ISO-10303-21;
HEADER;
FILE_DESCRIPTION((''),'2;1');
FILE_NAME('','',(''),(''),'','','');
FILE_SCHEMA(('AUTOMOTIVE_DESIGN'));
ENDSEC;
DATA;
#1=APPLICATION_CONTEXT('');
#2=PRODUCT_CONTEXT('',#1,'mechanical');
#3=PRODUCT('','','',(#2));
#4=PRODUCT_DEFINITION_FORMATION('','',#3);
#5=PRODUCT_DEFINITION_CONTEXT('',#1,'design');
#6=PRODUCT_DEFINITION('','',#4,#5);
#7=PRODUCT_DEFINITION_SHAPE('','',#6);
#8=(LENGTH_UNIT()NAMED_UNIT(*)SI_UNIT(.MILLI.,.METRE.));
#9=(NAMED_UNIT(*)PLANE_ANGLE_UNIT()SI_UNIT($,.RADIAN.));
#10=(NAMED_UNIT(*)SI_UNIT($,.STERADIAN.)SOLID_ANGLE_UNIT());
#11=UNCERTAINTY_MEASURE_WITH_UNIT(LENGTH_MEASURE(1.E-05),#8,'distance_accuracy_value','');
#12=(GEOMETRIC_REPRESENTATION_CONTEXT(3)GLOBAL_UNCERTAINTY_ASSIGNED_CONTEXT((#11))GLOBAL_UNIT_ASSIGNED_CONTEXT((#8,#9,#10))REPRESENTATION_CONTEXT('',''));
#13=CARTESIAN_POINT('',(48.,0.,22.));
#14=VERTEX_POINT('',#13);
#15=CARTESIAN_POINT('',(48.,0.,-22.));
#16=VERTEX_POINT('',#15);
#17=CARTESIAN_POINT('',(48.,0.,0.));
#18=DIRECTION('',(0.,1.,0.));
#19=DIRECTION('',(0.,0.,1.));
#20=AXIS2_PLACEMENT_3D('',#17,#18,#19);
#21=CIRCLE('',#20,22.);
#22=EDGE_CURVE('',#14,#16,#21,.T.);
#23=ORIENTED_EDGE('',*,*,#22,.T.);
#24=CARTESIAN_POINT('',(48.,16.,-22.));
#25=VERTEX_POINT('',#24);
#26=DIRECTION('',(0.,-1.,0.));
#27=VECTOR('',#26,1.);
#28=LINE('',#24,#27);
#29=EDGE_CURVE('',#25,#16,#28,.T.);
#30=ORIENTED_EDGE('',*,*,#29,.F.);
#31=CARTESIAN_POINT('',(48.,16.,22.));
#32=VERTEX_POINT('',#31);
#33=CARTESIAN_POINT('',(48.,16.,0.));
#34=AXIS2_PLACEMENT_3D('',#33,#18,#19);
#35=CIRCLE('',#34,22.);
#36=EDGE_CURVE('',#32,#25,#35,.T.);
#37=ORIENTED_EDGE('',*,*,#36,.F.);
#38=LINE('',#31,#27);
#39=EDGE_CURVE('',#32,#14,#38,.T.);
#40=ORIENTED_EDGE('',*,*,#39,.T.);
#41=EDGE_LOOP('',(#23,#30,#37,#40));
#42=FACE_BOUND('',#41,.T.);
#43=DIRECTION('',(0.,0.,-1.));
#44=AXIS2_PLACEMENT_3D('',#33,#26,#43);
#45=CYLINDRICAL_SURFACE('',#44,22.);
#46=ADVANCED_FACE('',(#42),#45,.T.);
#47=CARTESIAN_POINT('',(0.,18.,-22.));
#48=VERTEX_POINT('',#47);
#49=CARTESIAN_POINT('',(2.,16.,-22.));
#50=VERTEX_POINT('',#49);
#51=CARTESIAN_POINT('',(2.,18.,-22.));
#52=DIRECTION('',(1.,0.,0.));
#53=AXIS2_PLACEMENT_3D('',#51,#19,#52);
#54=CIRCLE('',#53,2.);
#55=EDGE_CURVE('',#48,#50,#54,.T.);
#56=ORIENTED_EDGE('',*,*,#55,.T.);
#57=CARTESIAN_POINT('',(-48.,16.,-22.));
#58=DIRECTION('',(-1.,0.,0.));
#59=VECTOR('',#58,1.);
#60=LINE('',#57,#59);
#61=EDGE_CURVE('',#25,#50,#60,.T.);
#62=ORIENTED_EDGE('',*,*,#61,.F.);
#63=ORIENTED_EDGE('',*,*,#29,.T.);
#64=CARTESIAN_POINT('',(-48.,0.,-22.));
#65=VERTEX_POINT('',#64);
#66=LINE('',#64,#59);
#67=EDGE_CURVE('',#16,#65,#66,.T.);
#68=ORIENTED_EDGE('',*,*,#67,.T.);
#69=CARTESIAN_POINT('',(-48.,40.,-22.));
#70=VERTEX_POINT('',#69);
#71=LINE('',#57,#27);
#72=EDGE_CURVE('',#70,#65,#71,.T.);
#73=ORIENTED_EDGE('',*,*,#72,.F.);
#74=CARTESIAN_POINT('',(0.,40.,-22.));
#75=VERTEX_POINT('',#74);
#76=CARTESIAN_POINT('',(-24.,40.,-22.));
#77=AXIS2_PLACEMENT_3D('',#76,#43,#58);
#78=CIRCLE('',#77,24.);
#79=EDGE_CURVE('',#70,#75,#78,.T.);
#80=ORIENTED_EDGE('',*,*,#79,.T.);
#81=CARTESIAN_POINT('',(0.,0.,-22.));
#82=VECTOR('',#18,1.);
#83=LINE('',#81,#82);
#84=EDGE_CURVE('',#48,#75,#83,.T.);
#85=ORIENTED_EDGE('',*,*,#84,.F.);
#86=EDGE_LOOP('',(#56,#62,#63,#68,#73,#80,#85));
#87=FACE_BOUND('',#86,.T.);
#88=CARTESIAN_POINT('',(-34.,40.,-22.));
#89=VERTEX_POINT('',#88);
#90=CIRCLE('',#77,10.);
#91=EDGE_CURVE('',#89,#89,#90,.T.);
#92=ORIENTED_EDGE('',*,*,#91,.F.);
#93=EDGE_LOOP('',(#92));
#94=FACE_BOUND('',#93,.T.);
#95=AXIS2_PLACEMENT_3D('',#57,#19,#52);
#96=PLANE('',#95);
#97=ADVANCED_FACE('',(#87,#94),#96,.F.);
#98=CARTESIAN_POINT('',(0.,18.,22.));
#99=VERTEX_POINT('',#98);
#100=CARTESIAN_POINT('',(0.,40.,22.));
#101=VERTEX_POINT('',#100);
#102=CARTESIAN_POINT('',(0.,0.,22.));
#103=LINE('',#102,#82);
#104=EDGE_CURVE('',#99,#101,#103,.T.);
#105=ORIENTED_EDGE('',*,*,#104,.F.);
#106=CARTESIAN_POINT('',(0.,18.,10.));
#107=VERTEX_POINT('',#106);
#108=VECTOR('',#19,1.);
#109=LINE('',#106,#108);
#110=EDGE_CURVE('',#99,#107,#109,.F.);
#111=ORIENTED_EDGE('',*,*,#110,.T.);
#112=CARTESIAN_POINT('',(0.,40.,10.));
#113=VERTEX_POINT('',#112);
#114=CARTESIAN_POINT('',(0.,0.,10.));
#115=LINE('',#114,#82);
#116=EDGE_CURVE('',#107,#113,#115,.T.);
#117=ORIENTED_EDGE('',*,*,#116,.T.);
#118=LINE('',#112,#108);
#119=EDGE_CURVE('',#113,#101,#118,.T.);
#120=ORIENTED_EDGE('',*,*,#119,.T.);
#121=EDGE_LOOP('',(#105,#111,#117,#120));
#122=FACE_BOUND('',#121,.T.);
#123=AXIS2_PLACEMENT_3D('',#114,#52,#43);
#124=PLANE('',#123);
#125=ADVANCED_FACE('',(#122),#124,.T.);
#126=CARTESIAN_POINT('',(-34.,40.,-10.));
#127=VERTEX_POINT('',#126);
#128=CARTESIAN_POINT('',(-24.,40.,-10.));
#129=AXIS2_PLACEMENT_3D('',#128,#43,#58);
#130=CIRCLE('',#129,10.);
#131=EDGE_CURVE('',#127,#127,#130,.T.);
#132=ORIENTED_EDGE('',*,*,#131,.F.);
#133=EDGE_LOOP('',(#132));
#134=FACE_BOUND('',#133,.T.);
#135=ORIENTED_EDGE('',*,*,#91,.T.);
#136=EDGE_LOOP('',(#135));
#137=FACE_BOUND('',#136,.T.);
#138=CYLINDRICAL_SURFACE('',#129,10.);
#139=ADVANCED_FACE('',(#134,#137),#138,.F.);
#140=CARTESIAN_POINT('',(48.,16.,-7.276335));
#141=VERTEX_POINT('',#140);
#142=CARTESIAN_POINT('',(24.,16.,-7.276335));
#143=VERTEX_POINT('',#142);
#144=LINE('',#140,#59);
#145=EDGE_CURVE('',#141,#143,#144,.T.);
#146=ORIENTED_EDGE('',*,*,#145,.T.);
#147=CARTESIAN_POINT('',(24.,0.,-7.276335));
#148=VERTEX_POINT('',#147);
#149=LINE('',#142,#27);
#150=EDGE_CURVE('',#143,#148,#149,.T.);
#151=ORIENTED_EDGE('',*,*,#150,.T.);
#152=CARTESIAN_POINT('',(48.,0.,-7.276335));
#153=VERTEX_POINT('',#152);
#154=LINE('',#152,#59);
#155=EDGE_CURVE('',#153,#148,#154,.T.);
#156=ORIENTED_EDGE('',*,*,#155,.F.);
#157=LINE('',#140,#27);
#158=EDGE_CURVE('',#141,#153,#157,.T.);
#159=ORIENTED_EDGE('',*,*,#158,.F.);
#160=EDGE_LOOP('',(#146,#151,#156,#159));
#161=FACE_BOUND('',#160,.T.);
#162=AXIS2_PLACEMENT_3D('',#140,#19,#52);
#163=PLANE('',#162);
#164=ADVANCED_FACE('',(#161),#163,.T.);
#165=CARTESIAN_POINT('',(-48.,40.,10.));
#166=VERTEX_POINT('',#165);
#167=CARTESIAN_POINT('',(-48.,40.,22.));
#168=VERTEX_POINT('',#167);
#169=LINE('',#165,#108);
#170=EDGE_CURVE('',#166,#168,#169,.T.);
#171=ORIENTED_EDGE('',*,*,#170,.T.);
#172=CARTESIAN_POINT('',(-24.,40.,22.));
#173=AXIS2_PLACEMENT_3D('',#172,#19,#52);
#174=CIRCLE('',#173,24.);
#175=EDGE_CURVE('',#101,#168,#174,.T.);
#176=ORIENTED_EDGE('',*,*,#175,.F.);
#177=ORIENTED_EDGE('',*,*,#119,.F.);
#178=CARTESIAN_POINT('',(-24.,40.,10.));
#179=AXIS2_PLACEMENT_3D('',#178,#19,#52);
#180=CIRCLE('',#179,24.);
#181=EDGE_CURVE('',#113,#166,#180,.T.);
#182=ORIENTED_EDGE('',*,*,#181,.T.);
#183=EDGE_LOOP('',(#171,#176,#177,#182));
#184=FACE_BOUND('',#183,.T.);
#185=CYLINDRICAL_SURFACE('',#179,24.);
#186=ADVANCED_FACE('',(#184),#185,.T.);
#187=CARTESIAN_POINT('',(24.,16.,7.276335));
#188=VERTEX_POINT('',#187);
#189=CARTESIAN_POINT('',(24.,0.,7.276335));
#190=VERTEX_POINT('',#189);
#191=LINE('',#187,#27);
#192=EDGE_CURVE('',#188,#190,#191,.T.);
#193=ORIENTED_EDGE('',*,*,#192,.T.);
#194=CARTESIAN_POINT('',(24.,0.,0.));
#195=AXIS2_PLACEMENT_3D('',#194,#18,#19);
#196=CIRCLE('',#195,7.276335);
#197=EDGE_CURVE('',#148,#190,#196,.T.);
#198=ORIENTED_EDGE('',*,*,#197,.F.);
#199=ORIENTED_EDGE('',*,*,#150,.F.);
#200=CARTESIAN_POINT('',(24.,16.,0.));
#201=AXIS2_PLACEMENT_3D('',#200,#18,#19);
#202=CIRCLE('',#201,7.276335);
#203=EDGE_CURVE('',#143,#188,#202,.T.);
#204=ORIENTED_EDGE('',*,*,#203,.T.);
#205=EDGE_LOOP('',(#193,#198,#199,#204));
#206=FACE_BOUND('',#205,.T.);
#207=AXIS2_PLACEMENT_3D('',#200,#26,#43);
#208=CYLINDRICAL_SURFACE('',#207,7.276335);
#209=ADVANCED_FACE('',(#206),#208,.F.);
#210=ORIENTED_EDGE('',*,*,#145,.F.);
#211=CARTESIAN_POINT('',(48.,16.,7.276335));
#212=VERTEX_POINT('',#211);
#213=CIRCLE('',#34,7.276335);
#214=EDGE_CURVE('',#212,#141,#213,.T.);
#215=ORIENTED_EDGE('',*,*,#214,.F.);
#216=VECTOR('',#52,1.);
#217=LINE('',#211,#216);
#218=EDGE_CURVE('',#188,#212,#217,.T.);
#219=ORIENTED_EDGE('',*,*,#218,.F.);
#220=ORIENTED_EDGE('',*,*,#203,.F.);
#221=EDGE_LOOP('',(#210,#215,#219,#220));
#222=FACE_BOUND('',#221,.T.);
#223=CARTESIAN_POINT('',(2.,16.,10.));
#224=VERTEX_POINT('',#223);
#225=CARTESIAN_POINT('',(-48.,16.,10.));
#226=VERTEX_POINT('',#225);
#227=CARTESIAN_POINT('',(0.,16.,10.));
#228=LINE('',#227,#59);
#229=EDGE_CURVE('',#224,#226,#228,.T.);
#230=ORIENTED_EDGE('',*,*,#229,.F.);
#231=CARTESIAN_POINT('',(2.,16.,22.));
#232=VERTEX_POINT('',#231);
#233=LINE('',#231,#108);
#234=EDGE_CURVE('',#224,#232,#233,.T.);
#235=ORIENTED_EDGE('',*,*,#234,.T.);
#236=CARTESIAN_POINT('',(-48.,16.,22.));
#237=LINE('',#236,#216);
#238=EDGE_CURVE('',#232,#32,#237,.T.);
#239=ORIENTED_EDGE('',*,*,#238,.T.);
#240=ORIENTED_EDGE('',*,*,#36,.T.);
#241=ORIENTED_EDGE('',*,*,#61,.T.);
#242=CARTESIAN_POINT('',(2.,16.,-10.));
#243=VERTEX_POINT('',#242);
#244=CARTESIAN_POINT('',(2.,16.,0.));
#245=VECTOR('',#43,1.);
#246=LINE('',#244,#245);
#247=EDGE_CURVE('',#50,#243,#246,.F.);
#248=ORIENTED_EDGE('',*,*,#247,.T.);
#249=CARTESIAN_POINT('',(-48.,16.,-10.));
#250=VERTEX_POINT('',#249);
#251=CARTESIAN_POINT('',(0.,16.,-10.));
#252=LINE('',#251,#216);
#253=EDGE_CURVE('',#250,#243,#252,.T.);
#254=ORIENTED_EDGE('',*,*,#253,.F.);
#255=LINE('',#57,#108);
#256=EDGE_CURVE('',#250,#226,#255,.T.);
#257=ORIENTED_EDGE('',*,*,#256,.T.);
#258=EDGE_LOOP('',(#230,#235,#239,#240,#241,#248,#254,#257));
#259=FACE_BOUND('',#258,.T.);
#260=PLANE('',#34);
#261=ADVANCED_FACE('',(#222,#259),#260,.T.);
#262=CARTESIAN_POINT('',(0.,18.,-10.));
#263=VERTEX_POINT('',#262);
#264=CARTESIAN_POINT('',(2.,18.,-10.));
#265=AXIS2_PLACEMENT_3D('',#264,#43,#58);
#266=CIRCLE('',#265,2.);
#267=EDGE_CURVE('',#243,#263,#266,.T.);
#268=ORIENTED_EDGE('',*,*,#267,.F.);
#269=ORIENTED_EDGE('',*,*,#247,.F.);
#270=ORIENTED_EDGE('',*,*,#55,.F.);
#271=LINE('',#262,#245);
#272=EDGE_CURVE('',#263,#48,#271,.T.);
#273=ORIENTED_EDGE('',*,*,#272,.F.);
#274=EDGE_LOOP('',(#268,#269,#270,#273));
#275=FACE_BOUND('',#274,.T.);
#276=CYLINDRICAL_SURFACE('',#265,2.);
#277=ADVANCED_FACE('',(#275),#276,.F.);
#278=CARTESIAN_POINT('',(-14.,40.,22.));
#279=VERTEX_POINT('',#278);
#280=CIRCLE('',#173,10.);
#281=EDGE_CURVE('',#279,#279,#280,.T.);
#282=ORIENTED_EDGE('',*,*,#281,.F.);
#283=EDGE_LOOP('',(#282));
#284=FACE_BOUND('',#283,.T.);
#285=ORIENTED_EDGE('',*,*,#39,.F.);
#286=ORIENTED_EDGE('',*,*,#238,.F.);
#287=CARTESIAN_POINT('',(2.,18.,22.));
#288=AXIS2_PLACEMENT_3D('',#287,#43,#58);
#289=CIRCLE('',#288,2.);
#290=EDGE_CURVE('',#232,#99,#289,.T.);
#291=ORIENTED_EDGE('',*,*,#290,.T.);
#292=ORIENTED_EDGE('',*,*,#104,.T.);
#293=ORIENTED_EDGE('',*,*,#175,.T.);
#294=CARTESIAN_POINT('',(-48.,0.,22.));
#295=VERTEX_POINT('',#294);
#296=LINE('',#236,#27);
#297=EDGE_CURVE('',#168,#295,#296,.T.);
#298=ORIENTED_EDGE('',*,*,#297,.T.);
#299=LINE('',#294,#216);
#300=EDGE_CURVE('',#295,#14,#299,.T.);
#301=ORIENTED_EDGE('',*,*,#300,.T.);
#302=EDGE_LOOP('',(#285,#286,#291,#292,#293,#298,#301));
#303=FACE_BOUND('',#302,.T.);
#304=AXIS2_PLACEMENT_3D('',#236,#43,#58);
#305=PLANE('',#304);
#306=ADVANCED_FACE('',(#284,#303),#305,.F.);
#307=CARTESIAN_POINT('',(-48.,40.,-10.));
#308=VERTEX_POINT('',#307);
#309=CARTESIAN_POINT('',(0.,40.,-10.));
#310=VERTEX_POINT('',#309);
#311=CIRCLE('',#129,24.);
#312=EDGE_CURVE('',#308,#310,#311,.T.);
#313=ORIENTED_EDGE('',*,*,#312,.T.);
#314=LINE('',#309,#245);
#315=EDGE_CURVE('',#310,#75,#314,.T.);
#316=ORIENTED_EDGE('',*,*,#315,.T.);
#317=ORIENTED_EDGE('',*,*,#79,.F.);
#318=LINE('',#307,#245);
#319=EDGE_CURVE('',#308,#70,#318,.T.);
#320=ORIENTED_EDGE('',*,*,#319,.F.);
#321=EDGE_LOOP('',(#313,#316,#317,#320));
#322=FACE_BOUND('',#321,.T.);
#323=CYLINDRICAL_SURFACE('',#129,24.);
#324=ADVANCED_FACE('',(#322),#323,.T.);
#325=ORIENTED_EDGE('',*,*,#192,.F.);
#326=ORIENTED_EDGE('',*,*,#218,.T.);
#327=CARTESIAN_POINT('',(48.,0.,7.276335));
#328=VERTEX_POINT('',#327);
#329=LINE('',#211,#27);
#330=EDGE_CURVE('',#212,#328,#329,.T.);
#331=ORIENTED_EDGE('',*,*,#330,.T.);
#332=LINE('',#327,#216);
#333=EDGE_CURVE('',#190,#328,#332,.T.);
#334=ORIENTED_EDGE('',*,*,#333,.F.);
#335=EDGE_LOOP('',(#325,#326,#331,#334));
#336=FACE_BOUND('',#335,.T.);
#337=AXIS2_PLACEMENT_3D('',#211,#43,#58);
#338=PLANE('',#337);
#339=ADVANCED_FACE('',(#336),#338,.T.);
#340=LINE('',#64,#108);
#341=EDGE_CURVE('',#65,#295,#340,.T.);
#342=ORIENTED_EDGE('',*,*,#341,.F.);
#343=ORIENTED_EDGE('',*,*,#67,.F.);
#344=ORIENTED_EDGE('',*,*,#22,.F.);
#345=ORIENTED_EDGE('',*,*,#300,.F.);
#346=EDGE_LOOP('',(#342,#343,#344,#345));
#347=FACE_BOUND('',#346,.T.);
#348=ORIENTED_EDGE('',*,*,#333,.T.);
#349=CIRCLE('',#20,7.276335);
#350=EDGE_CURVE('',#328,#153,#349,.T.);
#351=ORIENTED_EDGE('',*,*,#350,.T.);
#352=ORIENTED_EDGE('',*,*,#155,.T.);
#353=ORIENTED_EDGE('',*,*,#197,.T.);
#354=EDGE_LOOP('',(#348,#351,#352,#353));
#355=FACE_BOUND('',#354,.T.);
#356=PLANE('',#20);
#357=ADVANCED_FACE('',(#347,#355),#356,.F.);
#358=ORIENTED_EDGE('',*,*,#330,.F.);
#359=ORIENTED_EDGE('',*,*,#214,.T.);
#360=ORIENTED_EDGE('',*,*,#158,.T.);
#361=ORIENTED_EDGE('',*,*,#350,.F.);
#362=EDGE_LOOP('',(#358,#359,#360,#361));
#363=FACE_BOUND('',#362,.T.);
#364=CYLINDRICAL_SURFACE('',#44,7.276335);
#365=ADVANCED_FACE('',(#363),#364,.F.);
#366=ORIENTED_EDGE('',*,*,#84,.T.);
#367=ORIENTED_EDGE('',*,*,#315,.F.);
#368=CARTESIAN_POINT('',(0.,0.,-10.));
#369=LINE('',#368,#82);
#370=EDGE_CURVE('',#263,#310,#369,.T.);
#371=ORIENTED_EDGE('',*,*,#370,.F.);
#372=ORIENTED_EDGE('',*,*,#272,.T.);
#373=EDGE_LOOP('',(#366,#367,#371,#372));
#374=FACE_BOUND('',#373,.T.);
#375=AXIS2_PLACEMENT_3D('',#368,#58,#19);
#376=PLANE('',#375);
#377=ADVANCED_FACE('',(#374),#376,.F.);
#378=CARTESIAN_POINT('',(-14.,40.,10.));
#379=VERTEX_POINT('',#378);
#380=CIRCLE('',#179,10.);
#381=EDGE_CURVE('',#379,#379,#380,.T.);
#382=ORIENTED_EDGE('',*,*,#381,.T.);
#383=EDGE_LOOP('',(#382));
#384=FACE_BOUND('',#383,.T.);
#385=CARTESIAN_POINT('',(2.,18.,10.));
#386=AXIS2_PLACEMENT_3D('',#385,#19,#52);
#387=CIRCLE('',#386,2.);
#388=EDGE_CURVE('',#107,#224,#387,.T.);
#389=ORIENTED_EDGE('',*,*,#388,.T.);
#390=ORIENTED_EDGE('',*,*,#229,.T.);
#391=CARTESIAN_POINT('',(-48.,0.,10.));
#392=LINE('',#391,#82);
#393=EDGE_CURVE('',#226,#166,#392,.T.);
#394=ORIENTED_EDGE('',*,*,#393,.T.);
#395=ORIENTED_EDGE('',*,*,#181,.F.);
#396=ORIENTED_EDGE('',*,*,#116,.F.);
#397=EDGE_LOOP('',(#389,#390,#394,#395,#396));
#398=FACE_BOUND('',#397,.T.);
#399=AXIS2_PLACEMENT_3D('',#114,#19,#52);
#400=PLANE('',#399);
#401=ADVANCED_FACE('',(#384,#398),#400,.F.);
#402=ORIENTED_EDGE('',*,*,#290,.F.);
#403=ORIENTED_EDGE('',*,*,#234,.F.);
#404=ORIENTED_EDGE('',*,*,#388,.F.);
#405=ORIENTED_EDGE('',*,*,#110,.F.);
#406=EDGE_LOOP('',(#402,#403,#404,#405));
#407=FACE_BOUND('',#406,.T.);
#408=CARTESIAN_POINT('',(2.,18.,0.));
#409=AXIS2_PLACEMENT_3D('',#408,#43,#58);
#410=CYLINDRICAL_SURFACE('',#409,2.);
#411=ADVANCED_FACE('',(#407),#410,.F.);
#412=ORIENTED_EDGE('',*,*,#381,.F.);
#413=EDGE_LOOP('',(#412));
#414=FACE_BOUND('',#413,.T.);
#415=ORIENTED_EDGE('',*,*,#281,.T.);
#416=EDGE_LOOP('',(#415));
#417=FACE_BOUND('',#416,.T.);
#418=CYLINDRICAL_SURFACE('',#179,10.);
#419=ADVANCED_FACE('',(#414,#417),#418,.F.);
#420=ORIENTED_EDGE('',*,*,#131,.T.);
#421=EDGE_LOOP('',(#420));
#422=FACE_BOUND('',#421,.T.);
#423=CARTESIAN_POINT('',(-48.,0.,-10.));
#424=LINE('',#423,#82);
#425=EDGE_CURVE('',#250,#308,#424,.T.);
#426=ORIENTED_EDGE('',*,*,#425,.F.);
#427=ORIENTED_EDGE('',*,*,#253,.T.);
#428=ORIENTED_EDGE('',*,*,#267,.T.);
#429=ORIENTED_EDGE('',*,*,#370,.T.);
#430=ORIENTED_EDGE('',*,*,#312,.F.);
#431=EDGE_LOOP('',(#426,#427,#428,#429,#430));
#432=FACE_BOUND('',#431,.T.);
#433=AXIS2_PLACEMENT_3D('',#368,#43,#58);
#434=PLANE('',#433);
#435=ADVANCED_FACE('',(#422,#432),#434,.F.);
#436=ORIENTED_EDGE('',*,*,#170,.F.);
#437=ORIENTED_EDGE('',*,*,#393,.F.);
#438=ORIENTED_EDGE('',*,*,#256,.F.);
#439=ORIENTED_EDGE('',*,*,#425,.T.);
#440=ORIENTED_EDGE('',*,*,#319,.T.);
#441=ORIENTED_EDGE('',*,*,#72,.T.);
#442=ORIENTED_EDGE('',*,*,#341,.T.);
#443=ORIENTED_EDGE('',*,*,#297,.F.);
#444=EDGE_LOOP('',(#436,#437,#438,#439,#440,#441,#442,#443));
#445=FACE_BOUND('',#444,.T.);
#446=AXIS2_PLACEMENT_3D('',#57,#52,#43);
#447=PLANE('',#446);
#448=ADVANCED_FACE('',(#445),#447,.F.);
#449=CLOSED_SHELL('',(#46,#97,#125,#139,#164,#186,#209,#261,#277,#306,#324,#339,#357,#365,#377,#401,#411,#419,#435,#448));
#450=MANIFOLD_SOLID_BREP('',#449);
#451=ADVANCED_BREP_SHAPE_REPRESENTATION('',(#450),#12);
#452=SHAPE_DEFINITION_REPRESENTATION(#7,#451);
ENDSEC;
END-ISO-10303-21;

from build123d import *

# Parameters (mm, degrees)
BOSS_EXTRUDE1_DEPTH = 16
CUT_EXTRUDE2_DEPTH  = 16
SKETCH3_R           = 10
BOSS_EXTRUDE2_DEPTH = 12
BOSS_EXTRUDE3_START = -12
SKETCH11_R          = 10
BOSS_EXTRUDE3_DEPTH = 12
FILLET1_R           = 2
FILLET2_R           = 2


with BuildPart() as part:
    # Sketch1 → Boss-Extrude1 (new body)
    with BuildSketch(Plane(origin=(0, 0, 0), x_dir=(1, 0, 0), z_dir=(0, 1, 0))):
        with BuildLine():
            Line((-48, 22), (48, 22))
            ThreePointArc((48, 22), (70, 0), (48, -22))
            Line((48, -22), (-48, -22))
            Line((-48, -22), (-48, 22))
        make_face()
    extrude(amount=BOSS_EXTRUDE1_DEPTH)

    # Sketch2 → Cut-Extrude2 (cut)
    with BuildSketch(Plane(origin=(0, 0, 0), x_dir=(1, 0, 0), z_dir=(0, 1, 0))):
        with BuildLine():
            Line((48, -7.276334806), (24, -7.276334806))
            ThreePointArc((24, -7.276334806), (16.723665194, 0), (24, 7.276334806))
            Line((24, 7.276334806), (48, 7.276334806))
            ThreePointArc((48, 7.276334806), (55.276334806, 0), (48, -7.276334806))
        make_face()
    extrude(amount=CUT_EXTRUDE2_DEPTH, mode=Mode.SUBTRACT)

    # Sketch3 → Boss-Extrude2 (add)
    with BuildSketch(Plane.XY.offset(22)):
        with BuildLine():
            Line((-48, 40), (-48, 16))
            Line((-48, 16), (0, 16))
            Line((0, 16), (0, 40))
            ThreePointArc((0, 40), (-24, 64), (-48, 40))
        make_face()
        with Locations((-24, 40)):
            Circle(SKETCH3_R, mode=Mode.SUBTRACT)
    extrude(amount=-BOSS_EXTRUDE2_DEPTH)

    # Sketch11 → Boss-Extrude3 (add)
    with BuildSketch(Plane(origin=(0, 0, -22), x_dir=(-1, 0, 0), z_dir=(0, 0, -1)).offset(BOSS_EXTRUDE3_START)):
        with BuildLine():
            Line((0, 16), (48, 16))
            Line((48, 16), (48, 40))
            ThreePointArc((48, 40), (24, 64), (0, 40))
            Line((0, 40), (0, 16))
        make_face()
        with Locations(Location((24, 40, 0), (0, 0, 180))):
            Circle(SKETCH11_R, mode=Mode.SUBTRACT)
    extrude(amount=BOSS_EXTRUDE3_DEPTH)

    # Fillet1
    fillet1_edges = [part.edges().sort_by_distance(p)[0] for p in [
        (0, 16, 16),
    ]]
    fillet(fillet1_edges, radius=FILLET1_R)

    # Fillet2
    fillet2_edges = [part.edges().sort_by_distance(p)[0] for p in [
        (0, 16, -16),
    ]]
    fillet(fillet2_edges, radius=FILLET2_R)


solid = part.part
